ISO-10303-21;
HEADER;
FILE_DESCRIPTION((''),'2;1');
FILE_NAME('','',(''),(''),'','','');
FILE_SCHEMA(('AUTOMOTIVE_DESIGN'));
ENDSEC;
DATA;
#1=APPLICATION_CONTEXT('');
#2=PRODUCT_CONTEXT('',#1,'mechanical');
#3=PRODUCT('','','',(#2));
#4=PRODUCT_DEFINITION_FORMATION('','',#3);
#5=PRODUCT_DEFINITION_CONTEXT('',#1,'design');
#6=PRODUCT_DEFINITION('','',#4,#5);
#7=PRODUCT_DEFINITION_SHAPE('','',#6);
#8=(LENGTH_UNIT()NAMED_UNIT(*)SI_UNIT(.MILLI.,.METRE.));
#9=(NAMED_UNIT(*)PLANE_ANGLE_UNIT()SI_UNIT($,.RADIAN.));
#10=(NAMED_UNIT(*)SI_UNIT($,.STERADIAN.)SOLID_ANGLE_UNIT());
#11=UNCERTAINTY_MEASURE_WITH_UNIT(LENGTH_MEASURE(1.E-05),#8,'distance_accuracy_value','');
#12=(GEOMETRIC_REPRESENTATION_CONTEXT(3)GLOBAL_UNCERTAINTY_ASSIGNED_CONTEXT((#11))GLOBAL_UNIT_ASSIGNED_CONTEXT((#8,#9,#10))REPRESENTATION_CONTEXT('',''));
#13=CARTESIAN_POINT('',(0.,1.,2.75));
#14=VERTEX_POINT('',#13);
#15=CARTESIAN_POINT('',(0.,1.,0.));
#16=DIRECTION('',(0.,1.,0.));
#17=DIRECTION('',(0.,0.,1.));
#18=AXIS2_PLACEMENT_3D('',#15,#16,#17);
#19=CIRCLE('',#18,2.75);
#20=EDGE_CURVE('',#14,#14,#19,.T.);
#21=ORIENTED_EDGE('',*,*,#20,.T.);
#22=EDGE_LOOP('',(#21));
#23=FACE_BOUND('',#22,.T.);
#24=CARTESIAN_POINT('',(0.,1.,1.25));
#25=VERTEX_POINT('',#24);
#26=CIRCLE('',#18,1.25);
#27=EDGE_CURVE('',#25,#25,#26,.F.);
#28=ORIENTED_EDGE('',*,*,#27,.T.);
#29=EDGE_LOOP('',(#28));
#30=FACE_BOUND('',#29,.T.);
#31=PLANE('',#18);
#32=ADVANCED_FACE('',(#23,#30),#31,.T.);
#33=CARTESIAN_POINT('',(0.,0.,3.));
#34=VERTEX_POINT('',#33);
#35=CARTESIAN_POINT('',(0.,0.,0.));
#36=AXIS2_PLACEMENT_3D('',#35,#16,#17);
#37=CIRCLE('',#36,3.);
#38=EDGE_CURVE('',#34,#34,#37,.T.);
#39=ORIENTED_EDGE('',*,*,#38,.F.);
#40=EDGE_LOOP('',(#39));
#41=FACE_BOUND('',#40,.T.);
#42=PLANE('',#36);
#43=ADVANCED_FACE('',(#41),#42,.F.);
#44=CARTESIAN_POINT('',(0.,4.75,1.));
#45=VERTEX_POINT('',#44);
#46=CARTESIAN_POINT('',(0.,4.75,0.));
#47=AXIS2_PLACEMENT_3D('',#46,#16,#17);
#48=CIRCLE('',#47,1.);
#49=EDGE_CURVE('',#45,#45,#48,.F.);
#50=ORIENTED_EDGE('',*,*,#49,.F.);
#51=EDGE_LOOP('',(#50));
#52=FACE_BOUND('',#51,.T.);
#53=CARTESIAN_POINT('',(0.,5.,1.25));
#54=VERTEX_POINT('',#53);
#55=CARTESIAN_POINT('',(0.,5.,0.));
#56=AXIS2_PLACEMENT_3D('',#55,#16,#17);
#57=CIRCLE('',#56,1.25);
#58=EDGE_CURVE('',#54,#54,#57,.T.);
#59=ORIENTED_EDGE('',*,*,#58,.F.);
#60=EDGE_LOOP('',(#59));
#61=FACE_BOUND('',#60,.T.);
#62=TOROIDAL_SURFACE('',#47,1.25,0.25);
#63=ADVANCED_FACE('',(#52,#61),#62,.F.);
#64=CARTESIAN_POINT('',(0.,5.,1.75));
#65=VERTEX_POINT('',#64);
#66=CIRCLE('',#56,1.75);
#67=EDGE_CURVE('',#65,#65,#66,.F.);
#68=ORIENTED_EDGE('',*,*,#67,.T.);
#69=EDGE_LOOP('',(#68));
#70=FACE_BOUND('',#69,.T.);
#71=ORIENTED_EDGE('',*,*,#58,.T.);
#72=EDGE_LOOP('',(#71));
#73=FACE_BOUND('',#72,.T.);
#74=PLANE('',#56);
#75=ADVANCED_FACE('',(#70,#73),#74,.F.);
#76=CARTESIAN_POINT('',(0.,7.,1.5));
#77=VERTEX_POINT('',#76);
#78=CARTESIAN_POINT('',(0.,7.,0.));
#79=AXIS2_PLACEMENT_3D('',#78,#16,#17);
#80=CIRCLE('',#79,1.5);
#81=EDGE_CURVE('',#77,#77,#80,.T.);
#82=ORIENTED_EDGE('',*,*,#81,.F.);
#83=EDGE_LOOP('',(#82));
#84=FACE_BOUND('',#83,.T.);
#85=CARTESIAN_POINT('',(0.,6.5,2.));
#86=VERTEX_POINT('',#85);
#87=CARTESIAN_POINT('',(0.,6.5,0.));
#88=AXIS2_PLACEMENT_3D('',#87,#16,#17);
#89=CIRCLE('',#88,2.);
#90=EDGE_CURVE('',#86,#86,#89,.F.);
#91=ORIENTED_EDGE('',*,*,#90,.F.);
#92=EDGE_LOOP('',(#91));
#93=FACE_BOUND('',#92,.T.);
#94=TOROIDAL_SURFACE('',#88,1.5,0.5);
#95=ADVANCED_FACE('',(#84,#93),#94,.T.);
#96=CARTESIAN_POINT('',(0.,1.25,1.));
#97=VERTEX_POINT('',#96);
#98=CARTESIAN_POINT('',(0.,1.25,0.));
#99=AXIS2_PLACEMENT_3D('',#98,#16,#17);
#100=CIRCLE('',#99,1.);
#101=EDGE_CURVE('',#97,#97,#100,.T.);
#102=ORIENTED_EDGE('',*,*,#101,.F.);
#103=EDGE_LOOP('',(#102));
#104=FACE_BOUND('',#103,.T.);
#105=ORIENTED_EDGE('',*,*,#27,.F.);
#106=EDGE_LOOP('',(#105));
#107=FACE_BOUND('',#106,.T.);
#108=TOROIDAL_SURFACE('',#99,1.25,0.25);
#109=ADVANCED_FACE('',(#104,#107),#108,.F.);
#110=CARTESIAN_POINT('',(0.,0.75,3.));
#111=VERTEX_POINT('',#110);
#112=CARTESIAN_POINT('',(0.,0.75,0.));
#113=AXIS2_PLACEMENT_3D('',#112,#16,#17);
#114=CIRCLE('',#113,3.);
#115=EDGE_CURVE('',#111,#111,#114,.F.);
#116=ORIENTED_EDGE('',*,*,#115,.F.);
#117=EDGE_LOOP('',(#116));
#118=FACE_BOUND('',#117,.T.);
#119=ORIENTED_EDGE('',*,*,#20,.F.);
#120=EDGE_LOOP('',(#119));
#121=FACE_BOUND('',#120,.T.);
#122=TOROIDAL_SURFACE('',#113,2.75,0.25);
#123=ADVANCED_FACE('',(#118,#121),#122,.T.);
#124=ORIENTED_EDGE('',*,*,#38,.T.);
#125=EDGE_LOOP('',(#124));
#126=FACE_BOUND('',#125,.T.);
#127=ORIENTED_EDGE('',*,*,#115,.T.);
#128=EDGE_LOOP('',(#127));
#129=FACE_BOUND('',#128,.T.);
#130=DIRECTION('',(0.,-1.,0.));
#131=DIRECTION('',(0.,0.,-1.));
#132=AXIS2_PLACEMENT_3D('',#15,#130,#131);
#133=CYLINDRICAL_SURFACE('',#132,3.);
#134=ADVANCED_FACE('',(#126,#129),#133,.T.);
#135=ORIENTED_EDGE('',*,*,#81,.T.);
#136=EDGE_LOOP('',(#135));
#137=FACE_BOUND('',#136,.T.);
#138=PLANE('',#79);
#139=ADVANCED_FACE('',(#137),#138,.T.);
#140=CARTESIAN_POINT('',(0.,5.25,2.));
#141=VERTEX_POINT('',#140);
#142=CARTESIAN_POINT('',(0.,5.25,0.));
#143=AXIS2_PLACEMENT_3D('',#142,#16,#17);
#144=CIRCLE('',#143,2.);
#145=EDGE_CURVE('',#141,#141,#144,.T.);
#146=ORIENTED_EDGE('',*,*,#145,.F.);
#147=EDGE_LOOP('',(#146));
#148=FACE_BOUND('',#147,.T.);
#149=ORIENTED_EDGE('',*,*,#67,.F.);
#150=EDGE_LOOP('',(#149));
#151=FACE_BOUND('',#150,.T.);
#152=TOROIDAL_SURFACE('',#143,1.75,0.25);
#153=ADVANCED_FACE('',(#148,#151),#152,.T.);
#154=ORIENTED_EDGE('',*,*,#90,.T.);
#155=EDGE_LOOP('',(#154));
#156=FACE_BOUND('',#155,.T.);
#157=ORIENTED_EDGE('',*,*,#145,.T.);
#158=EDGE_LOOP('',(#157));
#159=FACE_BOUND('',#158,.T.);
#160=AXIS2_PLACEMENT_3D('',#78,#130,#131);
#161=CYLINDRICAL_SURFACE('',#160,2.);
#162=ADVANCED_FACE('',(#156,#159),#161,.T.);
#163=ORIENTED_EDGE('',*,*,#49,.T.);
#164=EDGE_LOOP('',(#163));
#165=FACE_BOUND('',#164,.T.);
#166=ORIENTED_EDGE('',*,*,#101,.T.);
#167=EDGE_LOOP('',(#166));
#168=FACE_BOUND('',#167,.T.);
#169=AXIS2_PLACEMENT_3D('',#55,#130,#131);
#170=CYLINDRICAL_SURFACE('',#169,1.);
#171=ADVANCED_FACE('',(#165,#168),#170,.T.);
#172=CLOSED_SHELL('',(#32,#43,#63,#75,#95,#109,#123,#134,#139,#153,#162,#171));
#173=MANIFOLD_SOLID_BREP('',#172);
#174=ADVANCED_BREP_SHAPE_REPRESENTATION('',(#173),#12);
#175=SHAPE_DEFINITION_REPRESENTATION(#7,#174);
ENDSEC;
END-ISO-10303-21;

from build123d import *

# Parameters (mm, degrees)
SKETCH1_R           = 2
BOSS_EXTRUDE1_DEPTH = 7
SKETCH1_5_R         = 2
SKETCH1_5_R_2       = 1
CUT_EXTRUDE2_DEPTH  = 5
SKETCH1_6_R         = 3
SKETCH1_6_R_2       = 1
BOSS_EXTRUDE3_DEPTH = 1
FILLET2_R           = 0.5
FILLET3_R           = 0.25
FILLET4_R           = 0.25
FILLET5_R           = 0.25


with BuildPart() as part:
    # Sketch1 → Boss-Extrude1 (new body)
    with BuildSketch(Plane(origin=(0, 0, 0), x_dir=(1, 0, 0), z_dir=(0, 1, 0))):
        Circle(SKETCH1_R)
    extrude(amount=BOSS_EXTRUDE1_DEPTH)

    # Sketch1<5> → Cut-Extrude2 (cut)
    with BuildSketch(Plane(origin=(0, 0, 0), x_dir=(1, 0, 0), z_dir=(0, 1, 0))):
        Circle(SKETCH1_5_R)
        Circle(SKETCH1_5_R_2, mode=Mode.SUBTRACT)
    extrude(amount=CUT_EXTRUDE2_DEPTH, mode=Mode.SUBTRACT)

    # Sketch1<6> → Boss-Extrude3 (add)
    with BuildSketch(Plane(origin=(0, 0, 0), x_dir=(1, 0, 0), z_dir=(0, 1, 0))):
        Circle(SKETCH1_6_R)
        Circle(SKETCH1_6_R_2, mode=Mode.SUBTRACT)
    extrude(amount=BOSS_EXTRUDE3_DEPTH)

    # Fillet2
    fillet2_edges = [part.edges().sort_by_distance(p)[0] for p in [
        (-2, 7, 0),
    ]]
    fillet(fillet2_edges, radius=FILLET2_R)

    # Fillet3
    fillet3_edges = [part.edges().sort_by_distance(p)[0] for p in [
        (-3, 1, 0),
    ]]
    fillet(fillet3_edges, radius=FILLET3_R)

    # Fillet4
    fillet4_edges = [part.edges().sort_by_distance(p)[0] for p in [
        (-2, 5, 0),
        (-1, 5, 0),
    ]]
    fillet(fillet4_edges, radius=FILLET4_R)

    # Fillet5
    fillet5_edges = [part.edges().sort_by_distance(p)[0] for p in [
        (-1, 1, 0),
    ]]
    fillet(fillet5_edges, radius=FILLET5_R)


solid = part.part
